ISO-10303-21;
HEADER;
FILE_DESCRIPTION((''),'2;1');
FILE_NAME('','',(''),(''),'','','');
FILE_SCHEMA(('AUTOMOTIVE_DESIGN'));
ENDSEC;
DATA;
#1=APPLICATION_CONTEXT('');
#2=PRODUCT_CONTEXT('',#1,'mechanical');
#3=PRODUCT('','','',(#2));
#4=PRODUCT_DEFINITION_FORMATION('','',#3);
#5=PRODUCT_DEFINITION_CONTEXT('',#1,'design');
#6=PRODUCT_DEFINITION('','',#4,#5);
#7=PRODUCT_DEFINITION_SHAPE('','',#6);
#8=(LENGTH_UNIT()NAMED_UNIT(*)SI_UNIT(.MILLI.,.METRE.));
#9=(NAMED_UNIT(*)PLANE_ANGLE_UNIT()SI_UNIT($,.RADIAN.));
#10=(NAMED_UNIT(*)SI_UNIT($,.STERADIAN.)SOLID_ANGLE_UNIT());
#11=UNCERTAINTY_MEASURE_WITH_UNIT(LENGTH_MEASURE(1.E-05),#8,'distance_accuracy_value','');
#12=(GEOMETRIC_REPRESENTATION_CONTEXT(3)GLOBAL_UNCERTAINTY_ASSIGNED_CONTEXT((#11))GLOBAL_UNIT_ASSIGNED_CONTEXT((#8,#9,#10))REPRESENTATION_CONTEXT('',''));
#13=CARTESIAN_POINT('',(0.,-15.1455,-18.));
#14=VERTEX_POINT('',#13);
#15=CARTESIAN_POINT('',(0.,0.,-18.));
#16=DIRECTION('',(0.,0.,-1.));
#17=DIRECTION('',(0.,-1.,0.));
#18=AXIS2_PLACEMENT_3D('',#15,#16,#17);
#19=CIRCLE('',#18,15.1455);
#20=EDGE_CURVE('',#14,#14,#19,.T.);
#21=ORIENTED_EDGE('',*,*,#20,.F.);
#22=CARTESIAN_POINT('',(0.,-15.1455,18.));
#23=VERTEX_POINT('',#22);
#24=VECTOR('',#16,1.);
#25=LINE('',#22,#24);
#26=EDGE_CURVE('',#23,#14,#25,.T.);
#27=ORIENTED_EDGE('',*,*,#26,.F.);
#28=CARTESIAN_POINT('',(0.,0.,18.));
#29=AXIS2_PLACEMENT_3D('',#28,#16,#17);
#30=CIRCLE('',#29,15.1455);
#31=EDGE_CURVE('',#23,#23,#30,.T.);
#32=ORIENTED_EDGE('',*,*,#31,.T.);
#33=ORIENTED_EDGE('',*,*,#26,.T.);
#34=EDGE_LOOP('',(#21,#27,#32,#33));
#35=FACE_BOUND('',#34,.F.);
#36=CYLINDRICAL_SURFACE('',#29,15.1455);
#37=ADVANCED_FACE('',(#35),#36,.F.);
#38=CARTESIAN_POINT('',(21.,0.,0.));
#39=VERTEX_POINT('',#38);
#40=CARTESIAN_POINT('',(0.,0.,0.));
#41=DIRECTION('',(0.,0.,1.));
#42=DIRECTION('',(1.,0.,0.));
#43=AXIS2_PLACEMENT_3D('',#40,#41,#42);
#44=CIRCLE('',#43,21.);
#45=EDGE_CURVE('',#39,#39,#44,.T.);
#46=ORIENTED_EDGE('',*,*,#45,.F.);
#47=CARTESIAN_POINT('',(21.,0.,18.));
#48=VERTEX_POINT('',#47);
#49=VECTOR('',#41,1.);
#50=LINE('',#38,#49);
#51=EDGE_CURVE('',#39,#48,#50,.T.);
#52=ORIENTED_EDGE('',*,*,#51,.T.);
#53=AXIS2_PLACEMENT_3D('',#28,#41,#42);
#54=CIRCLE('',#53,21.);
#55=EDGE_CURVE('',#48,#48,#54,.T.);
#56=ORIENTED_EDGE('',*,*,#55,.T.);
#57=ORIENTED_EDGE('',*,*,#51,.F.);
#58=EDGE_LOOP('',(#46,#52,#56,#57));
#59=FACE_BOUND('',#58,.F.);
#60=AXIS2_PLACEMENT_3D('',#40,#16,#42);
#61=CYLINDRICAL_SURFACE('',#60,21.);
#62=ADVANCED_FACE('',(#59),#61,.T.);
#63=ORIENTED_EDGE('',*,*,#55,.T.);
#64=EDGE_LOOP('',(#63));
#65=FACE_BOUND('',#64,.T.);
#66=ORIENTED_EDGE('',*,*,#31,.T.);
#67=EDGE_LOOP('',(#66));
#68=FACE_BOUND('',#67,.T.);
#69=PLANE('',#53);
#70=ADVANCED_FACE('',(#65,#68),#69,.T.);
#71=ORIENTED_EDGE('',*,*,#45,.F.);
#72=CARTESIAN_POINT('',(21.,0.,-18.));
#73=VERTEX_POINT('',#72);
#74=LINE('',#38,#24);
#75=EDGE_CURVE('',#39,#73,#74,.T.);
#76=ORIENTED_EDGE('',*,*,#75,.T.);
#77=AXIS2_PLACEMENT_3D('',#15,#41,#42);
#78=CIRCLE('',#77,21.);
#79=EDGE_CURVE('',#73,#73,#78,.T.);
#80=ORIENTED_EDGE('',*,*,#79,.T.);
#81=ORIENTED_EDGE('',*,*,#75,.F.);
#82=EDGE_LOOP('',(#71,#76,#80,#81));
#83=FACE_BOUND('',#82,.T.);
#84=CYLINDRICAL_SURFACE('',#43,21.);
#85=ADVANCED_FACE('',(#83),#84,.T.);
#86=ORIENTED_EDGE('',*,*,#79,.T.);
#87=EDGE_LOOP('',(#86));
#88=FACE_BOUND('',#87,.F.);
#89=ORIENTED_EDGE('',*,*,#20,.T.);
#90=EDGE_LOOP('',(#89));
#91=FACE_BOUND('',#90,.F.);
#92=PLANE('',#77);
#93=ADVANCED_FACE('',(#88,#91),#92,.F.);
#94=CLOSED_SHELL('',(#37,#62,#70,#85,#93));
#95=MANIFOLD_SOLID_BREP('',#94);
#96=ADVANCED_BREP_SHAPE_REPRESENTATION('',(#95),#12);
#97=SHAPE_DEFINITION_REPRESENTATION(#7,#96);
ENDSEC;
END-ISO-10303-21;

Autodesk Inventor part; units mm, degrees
ref_plane "YZ Plane" through (0, 0, 0) normal (1, 0, 0) x (0, 1, 0)
ref_plane "XZ Plane" through (0, 0, 0) normal (0, 1, 0) x (-1, 0, 0)
ref_plane "XY Plane" through (0, 0, 0) normal (0, 0, 1) x (1, 0, 0)
sketch "Sketch1" plane through (0, 0, 0) normal (0, 0, 1) x (1, 0, 0)
  circle A0 centre (0, 0) radius 21
  dimension "d0" = 42
extrude "Extrusion1" add sketch "Sketch1" along normal mid plane 36
sketch "Sketch2" plane through (0, 0, 18) normal (0, 0, 1) x (1, 0, 0)
  point P0 (0, 0)
  point P1 (0, 0)
hole "Hole1" at (0, 0, 18) direction (0, 0, -1) diameter 30.291 end through all thread size "G33.249x2.309" designation "G 1" standard "ISO Pipe Threads"
properties part number "Fitting G2"
